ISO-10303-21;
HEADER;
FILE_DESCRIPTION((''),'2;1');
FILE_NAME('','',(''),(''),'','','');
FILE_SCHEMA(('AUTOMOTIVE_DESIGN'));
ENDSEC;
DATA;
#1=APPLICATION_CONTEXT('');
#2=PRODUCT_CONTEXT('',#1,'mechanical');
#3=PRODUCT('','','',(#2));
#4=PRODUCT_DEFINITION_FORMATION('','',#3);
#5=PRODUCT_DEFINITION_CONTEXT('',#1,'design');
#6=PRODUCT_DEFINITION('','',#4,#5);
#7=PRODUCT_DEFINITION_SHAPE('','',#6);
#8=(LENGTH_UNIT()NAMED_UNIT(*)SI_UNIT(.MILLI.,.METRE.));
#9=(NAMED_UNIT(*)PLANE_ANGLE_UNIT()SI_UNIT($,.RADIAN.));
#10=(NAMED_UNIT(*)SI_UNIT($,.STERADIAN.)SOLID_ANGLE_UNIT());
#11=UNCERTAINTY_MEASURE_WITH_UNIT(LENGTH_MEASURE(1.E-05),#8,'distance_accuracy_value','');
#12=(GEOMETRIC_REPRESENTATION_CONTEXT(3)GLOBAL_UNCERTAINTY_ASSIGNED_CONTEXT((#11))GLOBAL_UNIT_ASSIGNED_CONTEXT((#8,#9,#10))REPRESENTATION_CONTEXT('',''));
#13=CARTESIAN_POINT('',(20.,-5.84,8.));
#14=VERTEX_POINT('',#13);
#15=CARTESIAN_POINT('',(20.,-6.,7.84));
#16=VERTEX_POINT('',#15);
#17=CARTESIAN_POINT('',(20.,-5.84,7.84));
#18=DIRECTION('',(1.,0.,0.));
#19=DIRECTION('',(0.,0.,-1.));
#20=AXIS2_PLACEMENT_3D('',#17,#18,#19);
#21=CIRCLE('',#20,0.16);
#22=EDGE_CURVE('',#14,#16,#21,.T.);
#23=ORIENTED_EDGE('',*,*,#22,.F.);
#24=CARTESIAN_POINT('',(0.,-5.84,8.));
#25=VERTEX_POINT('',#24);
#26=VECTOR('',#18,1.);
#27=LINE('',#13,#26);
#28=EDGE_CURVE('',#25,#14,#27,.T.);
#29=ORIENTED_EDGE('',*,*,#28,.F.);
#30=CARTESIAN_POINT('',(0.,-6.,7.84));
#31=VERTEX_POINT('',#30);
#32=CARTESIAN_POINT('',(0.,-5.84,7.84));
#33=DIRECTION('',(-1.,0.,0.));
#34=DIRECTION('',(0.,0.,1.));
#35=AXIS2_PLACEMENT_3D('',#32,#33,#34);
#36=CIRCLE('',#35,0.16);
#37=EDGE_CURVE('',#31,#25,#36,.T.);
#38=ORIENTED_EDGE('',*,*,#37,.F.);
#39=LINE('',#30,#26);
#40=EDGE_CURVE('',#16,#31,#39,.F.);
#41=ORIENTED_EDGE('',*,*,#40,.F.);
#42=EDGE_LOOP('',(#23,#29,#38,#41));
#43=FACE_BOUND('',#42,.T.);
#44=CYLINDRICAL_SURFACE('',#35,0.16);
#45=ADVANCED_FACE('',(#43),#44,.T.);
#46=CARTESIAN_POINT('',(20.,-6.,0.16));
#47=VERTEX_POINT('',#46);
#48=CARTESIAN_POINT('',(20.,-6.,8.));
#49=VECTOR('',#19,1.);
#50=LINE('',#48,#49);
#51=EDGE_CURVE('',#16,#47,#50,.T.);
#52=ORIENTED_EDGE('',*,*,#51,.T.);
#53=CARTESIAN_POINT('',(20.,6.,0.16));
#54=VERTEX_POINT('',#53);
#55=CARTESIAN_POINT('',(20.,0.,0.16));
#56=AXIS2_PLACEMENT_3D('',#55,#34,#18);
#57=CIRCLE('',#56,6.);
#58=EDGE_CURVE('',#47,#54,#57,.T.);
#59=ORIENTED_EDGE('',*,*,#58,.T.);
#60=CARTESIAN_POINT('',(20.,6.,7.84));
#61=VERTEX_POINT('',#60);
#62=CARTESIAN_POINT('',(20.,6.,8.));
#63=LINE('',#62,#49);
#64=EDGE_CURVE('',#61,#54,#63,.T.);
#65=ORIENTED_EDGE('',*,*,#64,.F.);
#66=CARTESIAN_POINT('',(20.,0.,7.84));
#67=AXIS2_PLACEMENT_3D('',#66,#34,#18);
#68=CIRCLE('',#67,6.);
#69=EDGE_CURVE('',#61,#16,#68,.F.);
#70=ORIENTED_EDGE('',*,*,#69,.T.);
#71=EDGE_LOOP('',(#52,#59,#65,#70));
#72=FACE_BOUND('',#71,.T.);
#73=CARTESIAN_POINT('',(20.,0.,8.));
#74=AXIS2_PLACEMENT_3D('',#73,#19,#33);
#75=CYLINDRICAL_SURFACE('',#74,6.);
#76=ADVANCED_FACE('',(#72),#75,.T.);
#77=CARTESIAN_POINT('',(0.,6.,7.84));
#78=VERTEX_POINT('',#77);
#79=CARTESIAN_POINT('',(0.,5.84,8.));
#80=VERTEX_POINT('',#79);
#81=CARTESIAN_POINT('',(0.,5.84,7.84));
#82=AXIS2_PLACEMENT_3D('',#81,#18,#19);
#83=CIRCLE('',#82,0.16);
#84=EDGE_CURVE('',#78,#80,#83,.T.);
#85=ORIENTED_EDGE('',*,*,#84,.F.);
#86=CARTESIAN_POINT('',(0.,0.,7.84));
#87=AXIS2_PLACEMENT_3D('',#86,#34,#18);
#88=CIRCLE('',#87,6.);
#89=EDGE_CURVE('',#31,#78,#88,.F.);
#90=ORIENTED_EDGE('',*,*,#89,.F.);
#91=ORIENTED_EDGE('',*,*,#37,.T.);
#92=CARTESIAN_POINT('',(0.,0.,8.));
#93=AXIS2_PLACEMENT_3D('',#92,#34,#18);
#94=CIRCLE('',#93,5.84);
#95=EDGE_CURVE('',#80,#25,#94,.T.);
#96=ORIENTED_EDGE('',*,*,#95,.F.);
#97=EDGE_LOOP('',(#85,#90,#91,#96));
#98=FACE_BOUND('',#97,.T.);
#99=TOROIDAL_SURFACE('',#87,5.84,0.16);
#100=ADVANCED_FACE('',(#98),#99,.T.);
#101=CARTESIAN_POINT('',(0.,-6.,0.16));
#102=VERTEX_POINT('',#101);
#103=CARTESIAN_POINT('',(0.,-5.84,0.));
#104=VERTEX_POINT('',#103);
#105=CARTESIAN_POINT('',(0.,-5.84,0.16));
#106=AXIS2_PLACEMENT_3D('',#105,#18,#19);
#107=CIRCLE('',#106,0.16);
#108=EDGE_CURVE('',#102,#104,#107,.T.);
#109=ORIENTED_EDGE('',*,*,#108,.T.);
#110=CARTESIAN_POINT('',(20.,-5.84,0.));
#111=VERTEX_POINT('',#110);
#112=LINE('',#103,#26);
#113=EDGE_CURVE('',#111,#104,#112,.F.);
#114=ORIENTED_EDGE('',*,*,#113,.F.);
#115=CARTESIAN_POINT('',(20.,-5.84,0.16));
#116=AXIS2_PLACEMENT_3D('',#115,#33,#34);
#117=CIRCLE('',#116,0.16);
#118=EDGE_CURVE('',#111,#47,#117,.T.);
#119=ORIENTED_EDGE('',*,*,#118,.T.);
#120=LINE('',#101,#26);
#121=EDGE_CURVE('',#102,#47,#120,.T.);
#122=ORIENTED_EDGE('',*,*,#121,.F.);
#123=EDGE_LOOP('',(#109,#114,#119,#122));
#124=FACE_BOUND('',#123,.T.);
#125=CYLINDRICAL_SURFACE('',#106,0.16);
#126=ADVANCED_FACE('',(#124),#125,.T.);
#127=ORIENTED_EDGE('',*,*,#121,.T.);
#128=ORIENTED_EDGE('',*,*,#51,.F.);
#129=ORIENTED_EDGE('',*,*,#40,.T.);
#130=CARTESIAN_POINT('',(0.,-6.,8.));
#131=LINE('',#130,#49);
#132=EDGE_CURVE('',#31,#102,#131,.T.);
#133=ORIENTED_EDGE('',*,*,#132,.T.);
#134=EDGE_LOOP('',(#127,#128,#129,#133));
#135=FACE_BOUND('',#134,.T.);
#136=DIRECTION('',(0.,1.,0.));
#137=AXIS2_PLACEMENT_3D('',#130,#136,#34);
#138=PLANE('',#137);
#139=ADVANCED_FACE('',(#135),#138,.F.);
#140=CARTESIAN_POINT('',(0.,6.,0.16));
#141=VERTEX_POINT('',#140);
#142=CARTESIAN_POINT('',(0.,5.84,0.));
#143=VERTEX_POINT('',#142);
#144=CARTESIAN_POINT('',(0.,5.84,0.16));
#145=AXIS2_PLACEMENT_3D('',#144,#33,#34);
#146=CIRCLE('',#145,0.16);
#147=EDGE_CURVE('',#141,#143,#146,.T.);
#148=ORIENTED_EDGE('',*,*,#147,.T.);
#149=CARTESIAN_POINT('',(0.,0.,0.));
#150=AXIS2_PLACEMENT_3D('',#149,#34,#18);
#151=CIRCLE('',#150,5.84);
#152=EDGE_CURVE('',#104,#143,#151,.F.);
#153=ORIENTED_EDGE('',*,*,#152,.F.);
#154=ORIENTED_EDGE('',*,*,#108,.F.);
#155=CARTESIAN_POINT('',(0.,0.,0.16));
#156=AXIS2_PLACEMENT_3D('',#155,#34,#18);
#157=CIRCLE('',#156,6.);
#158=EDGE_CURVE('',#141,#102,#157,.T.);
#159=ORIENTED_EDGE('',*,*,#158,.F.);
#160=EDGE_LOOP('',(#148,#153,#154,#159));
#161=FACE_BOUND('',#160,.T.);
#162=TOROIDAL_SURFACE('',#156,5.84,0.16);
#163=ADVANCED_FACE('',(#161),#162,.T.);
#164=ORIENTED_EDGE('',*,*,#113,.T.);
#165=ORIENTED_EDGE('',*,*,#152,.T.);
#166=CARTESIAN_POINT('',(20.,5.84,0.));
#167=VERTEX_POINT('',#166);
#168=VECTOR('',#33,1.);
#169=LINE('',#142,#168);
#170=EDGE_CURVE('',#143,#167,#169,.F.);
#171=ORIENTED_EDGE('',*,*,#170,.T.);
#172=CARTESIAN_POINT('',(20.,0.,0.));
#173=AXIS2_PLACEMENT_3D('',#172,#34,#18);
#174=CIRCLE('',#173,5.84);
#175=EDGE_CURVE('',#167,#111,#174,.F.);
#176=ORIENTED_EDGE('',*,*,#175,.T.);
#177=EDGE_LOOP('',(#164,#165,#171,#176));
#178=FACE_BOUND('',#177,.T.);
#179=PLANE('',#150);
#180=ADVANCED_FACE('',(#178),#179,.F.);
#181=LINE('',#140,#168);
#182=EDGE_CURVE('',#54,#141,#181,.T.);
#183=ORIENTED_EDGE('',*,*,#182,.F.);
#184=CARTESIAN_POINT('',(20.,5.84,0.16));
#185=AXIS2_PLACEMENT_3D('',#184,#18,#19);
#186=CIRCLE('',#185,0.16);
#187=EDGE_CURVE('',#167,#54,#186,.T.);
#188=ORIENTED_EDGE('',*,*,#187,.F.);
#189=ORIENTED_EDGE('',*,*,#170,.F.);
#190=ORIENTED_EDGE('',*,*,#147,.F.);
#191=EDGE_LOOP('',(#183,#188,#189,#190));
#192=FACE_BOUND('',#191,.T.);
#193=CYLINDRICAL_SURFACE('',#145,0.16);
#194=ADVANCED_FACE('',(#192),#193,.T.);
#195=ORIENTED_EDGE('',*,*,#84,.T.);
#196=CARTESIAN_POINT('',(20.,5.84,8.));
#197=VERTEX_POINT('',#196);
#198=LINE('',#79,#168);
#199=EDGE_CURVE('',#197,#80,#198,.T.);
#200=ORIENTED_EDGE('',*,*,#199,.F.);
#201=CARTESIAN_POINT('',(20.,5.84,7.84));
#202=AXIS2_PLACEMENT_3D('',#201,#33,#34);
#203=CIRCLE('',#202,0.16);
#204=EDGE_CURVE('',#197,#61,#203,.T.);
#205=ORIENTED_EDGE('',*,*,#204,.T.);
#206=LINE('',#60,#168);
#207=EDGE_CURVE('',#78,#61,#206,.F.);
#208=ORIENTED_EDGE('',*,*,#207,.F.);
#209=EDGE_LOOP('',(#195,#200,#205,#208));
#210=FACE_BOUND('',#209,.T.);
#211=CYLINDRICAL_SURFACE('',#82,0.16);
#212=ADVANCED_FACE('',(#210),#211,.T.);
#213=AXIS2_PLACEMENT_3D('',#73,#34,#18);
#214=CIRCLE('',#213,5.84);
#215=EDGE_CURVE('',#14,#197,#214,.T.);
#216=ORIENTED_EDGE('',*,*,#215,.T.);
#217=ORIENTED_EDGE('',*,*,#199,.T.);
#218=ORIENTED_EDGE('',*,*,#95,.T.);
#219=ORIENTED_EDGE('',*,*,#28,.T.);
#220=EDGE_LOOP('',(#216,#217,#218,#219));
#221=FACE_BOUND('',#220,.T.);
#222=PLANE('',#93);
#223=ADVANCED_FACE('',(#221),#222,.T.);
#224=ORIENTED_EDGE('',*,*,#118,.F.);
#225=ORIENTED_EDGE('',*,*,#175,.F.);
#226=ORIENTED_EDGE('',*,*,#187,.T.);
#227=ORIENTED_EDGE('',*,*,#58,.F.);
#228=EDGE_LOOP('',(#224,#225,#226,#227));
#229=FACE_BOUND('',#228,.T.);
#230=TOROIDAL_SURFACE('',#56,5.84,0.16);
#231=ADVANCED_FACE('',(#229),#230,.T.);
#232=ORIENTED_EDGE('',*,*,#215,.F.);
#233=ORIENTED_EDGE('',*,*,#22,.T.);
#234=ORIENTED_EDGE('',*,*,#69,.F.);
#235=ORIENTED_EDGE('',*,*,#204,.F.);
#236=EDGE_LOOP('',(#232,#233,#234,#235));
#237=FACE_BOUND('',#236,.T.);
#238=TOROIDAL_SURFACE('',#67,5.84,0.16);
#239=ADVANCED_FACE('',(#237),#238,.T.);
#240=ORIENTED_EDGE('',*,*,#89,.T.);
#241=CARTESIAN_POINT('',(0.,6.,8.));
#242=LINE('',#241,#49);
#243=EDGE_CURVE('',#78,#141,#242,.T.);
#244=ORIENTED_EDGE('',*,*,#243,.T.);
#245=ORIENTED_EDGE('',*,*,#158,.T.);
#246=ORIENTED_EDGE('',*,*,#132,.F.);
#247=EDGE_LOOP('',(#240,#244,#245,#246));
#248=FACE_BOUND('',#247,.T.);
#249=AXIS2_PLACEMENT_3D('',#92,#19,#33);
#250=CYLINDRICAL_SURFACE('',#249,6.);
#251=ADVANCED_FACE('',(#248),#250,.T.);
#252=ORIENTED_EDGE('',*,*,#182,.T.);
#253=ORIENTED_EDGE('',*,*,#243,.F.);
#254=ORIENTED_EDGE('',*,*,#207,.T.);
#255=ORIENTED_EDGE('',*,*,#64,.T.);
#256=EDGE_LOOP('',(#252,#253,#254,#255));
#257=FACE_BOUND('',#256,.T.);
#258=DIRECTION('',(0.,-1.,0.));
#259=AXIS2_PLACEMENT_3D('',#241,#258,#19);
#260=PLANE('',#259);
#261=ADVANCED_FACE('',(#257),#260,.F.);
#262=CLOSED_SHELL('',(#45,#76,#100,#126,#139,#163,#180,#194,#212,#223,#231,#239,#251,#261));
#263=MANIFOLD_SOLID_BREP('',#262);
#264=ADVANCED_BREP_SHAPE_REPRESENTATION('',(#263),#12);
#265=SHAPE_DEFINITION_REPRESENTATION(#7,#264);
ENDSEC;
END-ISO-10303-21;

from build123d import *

# Parameters (mm, degrees)
EXTRUDE_1_DEPTH = 8
FILLET_1_R      = 0.16


with BuildPart() as part:
    # Эскиз1 → Бобышка-Вытянуть1 (new body)
    with BuildSketch(Plane.XY):
        with BuildLine():
            Line((0, 6), (20, 6))
            ThreePointArc((20, 6), (26, 0), (20, -6))
            Line((20, -6), (0, -6))
            ThreePointArc((0, -6), (-6, 0), (0, 6))
        make_face()
    extrude(amount=EXTRUDE_1_DEPTH)

    # Скругление1
    fillet_1_edges = [part.edges().sort_by_distance(p)[0] for p in [
        (26, 0, 8),
        (10, 6, 8),
        (-6, 0, 8),
        (10, 6, 0),
        (26, 0, 0),
        (10, -6, 0),
        (-6, 0, 0),
        (10, -6, 8),
    ]]
    fillet(fillet_1_edges, radius=FILLET_1_R)


solid = part.part
